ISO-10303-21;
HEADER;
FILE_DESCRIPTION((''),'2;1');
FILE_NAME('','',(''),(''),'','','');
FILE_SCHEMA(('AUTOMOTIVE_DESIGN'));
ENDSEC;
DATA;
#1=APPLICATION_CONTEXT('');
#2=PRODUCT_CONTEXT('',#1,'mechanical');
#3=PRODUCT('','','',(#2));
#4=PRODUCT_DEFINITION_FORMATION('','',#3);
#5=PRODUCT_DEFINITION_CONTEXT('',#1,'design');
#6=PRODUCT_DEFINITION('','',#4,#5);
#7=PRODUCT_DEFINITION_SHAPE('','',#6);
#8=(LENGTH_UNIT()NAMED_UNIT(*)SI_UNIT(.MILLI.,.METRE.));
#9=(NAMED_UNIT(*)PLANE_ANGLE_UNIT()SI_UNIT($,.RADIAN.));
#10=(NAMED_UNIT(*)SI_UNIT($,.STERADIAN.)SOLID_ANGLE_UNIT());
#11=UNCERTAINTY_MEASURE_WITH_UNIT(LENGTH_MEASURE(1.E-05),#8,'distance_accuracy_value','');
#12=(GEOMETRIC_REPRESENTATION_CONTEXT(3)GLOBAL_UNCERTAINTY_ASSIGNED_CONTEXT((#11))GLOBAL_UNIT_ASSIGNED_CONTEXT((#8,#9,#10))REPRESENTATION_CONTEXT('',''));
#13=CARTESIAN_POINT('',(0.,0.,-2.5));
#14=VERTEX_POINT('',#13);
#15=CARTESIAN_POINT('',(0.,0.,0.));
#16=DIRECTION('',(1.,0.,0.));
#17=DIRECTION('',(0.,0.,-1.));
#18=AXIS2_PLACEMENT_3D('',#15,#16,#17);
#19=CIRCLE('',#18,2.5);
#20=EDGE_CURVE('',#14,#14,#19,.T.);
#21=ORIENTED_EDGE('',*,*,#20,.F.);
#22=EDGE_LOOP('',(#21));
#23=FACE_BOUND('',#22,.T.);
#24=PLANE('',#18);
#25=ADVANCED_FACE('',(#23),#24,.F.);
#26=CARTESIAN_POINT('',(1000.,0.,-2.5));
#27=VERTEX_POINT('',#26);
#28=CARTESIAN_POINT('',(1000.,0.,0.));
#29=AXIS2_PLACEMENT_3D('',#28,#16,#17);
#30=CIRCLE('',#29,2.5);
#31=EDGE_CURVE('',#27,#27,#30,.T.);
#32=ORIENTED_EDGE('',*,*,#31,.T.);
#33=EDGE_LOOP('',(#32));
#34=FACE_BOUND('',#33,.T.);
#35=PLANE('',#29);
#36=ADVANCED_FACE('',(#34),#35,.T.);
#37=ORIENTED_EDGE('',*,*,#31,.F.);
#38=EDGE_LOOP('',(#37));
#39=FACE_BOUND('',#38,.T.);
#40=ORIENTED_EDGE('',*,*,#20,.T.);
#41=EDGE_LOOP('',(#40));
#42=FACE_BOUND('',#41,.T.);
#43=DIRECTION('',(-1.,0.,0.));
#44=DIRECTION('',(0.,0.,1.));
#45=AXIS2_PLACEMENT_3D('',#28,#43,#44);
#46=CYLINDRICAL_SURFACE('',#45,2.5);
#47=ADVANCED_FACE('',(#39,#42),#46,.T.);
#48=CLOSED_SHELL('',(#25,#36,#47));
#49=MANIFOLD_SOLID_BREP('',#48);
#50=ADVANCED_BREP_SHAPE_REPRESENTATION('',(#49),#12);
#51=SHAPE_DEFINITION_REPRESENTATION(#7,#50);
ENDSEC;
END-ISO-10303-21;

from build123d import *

# Parameters (mm, degrees)
SKETCH1_R           = 2.5
BOSS_EXTRUDE1_DEPTH = 1000


with BuildPart() as part:
    # Sketch1 → Boss-Extrude1 (new body)
    with BuildSketch(Plane(origin=(0, 0, 0), x_dir=(0, 0, -1), z_dir=(1, 0, 0))):
        Circle(SKETCH1_R)
    extrude(amount=BOSS_EXTRUDE1_DEPTH)


solid = part.part
